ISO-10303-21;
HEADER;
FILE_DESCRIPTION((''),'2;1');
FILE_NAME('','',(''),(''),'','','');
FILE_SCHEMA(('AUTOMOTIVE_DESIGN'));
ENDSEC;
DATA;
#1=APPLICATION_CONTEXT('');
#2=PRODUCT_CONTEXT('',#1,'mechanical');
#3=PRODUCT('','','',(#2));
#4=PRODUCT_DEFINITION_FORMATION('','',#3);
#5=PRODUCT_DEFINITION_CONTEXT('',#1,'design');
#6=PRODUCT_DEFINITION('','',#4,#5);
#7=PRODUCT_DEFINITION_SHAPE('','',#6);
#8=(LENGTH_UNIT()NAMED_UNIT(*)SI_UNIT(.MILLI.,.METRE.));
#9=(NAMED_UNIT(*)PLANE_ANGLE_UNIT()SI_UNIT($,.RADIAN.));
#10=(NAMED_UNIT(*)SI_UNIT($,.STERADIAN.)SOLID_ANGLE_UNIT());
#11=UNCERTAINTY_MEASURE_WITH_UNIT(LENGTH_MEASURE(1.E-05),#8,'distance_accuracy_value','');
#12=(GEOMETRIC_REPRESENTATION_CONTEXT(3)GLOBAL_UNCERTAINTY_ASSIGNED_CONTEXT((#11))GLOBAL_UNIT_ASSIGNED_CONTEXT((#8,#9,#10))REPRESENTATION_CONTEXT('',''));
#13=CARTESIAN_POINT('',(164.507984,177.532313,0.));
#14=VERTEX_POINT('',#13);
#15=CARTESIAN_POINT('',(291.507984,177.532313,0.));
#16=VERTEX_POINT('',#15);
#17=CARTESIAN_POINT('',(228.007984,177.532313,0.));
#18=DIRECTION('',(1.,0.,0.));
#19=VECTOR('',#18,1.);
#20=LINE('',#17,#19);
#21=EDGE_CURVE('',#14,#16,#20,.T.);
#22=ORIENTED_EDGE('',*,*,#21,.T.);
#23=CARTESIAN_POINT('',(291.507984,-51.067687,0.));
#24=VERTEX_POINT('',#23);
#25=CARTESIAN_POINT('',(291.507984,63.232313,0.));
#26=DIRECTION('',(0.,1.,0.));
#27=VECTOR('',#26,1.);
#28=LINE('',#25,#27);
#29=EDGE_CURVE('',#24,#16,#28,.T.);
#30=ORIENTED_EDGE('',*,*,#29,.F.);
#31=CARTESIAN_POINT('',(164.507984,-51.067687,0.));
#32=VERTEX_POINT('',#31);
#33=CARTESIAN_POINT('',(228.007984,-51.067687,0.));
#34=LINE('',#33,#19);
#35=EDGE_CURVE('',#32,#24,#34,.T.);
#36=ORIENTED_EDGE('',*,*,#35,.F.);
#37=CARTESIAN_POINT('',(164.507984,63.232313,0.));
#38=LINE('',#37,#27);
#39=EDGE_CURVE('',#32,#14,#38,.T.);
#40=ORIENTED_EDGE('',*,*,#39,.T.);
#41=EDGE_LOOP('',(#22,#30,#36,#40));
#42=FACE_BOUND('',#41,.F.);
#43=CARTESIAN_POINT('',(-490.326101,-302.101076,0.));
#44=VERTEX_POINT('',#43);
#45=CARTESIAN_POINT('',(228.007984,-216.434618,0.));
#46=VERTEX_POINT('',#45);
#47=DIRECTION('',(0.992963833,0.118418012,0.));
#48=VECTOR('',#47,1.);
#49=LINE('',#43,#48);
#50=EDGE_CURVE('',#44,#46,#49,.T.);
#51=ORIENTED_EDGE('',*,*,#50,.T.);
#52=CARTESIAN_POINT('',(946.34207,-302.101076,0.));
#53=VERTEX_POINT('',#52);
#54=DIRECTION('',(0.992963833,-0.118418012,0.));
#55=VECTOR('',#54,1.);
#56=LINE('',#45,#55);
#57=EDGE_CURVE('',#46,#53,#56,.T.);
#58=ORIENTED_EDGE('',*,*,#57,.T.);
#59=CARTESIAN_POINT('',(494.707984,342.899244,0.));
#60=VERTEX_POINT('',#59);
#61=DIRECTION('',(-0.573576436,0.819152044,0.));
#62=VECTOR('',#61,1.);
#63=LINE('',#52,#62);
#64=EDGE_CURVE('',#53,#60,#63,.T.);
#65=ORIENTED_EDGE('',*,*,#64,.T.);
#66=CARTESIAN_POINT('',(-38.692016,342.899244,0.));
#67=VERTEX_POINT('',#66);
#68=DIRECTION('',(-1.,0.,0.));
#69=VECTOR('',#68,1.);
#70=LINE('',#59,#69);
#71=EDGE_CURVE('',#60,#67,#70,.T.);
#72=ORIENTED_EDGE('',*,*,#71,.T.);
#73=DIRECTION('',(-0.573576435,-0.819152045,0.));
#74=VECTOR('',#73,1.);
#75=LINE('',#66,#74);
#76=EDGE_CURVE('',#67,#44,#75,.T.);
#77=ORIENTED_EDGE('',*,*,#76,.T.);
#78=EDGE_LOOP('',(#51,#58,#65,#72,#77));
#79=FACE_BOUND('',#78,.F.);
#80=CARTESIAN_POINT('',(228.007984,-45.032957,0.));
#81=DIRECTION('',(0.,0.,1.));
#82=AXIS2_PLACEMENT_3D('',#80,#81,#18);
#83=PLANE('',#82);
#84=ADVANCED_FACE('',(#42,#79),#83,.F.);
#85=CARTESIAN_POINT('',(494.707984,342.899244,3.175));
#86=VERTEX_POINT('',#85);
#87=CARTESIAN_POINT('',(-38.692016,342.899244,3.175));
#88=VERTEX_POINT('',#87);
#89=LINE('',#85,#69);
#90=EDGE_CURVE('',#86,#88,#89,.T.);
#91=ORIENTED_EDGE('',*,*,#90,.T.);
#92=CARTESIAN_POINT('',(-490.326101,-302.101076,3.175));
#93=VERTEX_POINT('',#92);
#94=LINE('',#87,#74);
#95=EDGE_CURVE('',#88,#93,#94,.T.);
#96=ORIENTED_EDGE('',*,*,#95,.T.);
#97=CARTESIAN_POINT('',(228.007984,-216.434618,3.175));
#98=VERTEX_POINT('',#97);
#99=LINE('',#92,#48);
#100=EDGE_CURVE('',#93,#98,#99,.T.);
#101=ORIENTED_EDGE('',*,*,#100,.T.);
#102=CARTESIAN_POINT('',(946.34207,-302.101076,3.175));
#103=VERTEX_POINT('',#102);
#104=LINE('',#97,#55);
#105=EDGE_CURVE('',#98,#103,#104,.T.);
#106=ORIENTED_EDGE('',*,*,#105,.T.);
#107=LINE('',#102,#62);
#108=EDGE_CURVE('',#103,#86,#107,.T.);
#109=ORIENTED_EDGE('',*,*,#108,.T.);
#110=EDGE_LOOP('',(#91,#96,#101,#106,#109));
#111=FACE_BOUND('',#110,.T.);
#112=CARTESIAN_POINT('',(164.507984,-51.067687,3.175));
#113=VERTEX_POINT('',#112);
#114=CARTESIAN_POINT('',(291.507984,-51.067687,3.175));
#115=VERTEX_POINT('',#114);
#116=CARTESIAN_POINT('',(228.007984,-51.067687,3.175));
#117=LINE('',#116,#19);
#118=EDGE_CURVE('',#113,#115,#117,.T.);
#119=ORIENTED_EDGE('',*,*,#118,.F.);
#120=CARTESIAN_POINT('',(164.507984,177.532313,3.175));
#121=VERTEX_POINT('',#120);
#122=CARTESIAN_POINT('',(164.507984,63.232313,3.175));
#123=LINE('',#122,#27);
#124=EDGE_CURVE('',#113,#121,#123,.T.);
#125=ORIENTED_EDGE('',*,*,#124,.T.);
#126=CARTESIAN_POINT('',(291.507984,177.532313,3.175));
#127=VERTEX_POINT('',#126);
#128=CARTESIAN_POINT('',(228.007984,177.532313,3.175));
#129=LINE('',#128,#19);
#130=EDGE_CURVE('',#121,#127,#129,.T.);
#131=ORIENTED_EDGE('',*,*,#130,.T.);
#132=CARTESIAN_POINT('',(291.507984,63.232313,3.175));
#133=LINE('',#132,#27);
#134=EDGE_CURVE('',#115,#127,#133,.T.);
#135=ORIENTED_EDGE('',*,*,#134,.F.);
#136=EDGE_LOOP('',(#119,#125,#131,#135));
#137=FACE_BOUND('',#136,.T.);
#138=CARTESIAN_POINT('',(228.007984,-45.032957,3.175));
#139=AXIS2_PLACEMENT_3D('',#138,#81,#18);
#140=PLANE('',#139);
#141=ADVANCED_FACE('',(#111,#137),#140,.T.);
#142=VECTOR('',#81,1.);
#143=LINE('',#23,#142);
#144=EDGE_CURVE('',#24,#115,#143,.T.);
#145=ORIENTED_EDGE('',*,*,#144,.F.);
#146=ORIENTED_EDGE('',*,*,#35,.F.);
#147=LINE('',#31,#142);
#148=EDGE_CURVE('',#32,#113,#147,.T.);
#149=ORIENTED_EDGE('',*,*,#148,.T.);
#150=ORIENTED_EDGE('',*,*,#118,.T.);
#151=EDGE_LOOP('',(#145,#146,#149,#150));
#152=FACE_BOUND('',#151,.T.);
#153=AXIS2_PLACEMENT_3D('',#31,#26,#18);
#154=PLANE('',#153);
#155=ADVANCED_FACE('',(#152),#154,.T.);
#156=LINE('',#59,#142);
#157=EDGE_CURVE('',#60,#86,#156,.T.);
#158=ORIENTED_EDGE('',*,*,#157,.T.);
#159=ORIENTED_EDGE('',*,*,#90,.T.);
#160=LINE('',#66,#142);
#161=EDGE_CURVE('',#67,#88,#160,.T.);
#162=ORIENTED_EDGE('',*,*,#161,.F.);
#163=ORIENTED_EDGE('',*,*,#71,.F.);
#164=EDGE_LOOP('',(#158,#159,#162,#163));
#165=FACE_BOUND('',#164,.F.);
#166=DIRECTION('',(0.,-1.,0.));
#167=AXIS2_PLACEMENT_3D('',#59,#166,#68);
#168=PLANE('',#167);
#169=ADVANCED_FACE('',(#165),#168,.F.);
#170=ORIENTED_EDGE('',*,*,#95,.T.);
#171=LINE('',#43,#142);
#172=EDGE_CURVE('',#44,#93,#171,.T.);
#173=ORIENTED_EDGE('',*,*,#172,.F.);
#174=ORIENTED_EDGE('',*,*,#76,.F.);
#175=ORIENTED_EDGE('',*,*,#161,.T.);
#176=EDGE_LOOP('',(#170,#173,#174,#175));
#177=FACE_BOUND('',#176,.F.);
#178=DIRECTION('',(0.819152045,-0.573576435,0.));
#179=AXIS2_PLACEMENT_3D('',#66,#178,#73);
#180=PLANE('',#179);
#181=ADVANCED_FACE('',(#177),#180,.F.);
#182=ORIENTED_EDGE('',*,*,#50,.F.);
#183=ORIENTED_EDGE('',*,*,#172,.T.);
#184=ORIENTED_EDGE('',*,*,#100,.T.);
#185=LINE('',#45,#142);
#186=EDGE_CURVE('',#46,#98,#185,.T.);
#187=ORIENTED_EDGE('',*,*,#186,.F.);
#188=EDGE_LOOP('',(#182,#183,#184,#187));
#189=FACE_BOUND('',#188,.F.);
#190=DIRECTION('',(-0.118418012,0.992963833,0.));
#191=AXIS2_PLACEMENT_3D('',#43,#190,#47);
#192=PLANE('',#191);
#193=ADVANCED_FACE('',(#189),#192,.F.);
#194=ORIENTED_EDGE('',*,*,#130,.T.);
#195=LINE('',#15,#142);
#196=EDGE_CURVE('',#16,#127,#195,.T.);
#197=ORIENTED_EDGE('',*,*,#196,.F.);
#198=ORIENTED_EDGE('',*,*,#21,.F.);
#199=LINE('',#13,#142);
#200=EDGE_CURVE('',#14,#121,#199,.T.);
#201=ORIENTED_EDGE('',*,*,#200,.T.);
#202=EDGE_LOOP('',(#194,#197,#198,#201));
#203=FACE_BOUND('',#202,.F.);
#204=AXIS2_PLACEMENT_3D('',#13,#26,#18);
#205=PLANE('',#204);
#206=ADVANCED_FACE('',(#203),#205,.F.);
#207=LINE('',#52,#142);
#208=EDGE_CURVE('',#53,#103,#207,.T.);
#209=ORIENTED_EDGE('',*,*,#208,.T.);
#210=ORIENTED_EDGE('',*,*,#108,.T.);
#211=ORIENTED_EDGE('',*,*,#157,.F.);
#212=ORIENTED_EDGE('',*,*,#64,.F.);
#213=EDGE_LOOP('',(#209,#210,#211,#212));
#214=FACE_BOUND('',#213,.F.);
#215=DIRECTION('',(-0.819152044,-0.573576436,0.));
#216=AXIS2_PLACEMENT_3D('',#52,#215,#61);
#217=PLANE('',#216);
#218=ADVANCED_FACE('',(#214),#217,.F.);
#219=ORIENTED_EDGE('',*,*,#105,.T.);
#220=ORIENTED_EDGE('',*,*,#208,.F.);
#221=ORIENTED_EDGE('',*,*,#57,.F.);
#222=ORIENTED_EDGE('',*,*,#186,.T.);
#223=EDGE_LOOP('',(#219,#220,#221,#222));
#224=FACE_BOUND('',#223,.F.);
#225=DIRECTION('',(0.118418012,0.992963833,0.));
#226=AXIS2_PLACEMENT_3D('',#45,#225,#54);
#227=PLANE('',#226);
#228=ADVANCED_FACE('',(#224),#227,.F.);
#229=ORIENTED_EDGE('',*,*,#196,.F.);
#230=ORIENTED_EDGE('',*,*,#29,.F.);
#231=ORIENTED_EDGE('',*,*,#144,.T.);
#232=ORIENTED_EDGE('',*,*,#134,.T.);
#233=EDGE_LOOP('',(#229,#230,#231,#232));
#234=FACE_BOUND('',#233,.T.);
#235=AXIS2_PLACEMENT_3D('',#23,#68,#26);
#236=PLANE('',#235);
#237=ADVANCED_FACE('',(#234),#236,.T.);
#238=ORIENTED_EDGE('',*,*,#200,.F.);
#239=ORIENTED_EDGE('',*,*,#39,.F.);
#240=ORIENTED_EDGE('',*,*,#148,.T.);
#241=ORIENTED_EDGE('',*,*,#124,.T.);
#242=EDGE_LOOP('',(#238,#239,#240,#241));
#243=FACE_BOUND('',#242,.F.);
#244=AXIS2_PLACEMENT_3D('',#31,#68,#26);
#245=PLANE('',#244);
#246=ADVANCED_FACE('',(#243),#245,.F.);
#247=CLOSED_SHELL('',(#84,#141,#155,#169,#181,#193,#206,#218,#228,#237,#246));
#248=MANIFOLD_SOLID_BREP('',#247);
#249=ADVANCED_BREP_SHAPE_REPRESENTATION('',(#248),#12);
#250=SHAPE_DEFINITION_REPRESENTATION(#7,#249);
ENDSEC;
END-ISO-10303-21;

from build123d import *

# Parameters (mm, degrees)
F0_W     = 127
F0_H     = 228.6
F1_DEPTH = 3.175


with BuildPart() as f1:
    # F0 (on Top) → F1 (new body)
    with BuildSketch(Plane.XY):
        Polygon((494.707984, 342.899244), (-38.692016, 342.899244), (-490.326101, -302.101076), (228.007984, -216.434618), (946.34207, -302.101076), align=None)
        with Locations((228.007984, 63.232313)):
            Rectangle(F0_W, F0_H, mode=Mode.SUBTRACT)
    extrude(amount=F1_DEPTH)


solid = f1.part
